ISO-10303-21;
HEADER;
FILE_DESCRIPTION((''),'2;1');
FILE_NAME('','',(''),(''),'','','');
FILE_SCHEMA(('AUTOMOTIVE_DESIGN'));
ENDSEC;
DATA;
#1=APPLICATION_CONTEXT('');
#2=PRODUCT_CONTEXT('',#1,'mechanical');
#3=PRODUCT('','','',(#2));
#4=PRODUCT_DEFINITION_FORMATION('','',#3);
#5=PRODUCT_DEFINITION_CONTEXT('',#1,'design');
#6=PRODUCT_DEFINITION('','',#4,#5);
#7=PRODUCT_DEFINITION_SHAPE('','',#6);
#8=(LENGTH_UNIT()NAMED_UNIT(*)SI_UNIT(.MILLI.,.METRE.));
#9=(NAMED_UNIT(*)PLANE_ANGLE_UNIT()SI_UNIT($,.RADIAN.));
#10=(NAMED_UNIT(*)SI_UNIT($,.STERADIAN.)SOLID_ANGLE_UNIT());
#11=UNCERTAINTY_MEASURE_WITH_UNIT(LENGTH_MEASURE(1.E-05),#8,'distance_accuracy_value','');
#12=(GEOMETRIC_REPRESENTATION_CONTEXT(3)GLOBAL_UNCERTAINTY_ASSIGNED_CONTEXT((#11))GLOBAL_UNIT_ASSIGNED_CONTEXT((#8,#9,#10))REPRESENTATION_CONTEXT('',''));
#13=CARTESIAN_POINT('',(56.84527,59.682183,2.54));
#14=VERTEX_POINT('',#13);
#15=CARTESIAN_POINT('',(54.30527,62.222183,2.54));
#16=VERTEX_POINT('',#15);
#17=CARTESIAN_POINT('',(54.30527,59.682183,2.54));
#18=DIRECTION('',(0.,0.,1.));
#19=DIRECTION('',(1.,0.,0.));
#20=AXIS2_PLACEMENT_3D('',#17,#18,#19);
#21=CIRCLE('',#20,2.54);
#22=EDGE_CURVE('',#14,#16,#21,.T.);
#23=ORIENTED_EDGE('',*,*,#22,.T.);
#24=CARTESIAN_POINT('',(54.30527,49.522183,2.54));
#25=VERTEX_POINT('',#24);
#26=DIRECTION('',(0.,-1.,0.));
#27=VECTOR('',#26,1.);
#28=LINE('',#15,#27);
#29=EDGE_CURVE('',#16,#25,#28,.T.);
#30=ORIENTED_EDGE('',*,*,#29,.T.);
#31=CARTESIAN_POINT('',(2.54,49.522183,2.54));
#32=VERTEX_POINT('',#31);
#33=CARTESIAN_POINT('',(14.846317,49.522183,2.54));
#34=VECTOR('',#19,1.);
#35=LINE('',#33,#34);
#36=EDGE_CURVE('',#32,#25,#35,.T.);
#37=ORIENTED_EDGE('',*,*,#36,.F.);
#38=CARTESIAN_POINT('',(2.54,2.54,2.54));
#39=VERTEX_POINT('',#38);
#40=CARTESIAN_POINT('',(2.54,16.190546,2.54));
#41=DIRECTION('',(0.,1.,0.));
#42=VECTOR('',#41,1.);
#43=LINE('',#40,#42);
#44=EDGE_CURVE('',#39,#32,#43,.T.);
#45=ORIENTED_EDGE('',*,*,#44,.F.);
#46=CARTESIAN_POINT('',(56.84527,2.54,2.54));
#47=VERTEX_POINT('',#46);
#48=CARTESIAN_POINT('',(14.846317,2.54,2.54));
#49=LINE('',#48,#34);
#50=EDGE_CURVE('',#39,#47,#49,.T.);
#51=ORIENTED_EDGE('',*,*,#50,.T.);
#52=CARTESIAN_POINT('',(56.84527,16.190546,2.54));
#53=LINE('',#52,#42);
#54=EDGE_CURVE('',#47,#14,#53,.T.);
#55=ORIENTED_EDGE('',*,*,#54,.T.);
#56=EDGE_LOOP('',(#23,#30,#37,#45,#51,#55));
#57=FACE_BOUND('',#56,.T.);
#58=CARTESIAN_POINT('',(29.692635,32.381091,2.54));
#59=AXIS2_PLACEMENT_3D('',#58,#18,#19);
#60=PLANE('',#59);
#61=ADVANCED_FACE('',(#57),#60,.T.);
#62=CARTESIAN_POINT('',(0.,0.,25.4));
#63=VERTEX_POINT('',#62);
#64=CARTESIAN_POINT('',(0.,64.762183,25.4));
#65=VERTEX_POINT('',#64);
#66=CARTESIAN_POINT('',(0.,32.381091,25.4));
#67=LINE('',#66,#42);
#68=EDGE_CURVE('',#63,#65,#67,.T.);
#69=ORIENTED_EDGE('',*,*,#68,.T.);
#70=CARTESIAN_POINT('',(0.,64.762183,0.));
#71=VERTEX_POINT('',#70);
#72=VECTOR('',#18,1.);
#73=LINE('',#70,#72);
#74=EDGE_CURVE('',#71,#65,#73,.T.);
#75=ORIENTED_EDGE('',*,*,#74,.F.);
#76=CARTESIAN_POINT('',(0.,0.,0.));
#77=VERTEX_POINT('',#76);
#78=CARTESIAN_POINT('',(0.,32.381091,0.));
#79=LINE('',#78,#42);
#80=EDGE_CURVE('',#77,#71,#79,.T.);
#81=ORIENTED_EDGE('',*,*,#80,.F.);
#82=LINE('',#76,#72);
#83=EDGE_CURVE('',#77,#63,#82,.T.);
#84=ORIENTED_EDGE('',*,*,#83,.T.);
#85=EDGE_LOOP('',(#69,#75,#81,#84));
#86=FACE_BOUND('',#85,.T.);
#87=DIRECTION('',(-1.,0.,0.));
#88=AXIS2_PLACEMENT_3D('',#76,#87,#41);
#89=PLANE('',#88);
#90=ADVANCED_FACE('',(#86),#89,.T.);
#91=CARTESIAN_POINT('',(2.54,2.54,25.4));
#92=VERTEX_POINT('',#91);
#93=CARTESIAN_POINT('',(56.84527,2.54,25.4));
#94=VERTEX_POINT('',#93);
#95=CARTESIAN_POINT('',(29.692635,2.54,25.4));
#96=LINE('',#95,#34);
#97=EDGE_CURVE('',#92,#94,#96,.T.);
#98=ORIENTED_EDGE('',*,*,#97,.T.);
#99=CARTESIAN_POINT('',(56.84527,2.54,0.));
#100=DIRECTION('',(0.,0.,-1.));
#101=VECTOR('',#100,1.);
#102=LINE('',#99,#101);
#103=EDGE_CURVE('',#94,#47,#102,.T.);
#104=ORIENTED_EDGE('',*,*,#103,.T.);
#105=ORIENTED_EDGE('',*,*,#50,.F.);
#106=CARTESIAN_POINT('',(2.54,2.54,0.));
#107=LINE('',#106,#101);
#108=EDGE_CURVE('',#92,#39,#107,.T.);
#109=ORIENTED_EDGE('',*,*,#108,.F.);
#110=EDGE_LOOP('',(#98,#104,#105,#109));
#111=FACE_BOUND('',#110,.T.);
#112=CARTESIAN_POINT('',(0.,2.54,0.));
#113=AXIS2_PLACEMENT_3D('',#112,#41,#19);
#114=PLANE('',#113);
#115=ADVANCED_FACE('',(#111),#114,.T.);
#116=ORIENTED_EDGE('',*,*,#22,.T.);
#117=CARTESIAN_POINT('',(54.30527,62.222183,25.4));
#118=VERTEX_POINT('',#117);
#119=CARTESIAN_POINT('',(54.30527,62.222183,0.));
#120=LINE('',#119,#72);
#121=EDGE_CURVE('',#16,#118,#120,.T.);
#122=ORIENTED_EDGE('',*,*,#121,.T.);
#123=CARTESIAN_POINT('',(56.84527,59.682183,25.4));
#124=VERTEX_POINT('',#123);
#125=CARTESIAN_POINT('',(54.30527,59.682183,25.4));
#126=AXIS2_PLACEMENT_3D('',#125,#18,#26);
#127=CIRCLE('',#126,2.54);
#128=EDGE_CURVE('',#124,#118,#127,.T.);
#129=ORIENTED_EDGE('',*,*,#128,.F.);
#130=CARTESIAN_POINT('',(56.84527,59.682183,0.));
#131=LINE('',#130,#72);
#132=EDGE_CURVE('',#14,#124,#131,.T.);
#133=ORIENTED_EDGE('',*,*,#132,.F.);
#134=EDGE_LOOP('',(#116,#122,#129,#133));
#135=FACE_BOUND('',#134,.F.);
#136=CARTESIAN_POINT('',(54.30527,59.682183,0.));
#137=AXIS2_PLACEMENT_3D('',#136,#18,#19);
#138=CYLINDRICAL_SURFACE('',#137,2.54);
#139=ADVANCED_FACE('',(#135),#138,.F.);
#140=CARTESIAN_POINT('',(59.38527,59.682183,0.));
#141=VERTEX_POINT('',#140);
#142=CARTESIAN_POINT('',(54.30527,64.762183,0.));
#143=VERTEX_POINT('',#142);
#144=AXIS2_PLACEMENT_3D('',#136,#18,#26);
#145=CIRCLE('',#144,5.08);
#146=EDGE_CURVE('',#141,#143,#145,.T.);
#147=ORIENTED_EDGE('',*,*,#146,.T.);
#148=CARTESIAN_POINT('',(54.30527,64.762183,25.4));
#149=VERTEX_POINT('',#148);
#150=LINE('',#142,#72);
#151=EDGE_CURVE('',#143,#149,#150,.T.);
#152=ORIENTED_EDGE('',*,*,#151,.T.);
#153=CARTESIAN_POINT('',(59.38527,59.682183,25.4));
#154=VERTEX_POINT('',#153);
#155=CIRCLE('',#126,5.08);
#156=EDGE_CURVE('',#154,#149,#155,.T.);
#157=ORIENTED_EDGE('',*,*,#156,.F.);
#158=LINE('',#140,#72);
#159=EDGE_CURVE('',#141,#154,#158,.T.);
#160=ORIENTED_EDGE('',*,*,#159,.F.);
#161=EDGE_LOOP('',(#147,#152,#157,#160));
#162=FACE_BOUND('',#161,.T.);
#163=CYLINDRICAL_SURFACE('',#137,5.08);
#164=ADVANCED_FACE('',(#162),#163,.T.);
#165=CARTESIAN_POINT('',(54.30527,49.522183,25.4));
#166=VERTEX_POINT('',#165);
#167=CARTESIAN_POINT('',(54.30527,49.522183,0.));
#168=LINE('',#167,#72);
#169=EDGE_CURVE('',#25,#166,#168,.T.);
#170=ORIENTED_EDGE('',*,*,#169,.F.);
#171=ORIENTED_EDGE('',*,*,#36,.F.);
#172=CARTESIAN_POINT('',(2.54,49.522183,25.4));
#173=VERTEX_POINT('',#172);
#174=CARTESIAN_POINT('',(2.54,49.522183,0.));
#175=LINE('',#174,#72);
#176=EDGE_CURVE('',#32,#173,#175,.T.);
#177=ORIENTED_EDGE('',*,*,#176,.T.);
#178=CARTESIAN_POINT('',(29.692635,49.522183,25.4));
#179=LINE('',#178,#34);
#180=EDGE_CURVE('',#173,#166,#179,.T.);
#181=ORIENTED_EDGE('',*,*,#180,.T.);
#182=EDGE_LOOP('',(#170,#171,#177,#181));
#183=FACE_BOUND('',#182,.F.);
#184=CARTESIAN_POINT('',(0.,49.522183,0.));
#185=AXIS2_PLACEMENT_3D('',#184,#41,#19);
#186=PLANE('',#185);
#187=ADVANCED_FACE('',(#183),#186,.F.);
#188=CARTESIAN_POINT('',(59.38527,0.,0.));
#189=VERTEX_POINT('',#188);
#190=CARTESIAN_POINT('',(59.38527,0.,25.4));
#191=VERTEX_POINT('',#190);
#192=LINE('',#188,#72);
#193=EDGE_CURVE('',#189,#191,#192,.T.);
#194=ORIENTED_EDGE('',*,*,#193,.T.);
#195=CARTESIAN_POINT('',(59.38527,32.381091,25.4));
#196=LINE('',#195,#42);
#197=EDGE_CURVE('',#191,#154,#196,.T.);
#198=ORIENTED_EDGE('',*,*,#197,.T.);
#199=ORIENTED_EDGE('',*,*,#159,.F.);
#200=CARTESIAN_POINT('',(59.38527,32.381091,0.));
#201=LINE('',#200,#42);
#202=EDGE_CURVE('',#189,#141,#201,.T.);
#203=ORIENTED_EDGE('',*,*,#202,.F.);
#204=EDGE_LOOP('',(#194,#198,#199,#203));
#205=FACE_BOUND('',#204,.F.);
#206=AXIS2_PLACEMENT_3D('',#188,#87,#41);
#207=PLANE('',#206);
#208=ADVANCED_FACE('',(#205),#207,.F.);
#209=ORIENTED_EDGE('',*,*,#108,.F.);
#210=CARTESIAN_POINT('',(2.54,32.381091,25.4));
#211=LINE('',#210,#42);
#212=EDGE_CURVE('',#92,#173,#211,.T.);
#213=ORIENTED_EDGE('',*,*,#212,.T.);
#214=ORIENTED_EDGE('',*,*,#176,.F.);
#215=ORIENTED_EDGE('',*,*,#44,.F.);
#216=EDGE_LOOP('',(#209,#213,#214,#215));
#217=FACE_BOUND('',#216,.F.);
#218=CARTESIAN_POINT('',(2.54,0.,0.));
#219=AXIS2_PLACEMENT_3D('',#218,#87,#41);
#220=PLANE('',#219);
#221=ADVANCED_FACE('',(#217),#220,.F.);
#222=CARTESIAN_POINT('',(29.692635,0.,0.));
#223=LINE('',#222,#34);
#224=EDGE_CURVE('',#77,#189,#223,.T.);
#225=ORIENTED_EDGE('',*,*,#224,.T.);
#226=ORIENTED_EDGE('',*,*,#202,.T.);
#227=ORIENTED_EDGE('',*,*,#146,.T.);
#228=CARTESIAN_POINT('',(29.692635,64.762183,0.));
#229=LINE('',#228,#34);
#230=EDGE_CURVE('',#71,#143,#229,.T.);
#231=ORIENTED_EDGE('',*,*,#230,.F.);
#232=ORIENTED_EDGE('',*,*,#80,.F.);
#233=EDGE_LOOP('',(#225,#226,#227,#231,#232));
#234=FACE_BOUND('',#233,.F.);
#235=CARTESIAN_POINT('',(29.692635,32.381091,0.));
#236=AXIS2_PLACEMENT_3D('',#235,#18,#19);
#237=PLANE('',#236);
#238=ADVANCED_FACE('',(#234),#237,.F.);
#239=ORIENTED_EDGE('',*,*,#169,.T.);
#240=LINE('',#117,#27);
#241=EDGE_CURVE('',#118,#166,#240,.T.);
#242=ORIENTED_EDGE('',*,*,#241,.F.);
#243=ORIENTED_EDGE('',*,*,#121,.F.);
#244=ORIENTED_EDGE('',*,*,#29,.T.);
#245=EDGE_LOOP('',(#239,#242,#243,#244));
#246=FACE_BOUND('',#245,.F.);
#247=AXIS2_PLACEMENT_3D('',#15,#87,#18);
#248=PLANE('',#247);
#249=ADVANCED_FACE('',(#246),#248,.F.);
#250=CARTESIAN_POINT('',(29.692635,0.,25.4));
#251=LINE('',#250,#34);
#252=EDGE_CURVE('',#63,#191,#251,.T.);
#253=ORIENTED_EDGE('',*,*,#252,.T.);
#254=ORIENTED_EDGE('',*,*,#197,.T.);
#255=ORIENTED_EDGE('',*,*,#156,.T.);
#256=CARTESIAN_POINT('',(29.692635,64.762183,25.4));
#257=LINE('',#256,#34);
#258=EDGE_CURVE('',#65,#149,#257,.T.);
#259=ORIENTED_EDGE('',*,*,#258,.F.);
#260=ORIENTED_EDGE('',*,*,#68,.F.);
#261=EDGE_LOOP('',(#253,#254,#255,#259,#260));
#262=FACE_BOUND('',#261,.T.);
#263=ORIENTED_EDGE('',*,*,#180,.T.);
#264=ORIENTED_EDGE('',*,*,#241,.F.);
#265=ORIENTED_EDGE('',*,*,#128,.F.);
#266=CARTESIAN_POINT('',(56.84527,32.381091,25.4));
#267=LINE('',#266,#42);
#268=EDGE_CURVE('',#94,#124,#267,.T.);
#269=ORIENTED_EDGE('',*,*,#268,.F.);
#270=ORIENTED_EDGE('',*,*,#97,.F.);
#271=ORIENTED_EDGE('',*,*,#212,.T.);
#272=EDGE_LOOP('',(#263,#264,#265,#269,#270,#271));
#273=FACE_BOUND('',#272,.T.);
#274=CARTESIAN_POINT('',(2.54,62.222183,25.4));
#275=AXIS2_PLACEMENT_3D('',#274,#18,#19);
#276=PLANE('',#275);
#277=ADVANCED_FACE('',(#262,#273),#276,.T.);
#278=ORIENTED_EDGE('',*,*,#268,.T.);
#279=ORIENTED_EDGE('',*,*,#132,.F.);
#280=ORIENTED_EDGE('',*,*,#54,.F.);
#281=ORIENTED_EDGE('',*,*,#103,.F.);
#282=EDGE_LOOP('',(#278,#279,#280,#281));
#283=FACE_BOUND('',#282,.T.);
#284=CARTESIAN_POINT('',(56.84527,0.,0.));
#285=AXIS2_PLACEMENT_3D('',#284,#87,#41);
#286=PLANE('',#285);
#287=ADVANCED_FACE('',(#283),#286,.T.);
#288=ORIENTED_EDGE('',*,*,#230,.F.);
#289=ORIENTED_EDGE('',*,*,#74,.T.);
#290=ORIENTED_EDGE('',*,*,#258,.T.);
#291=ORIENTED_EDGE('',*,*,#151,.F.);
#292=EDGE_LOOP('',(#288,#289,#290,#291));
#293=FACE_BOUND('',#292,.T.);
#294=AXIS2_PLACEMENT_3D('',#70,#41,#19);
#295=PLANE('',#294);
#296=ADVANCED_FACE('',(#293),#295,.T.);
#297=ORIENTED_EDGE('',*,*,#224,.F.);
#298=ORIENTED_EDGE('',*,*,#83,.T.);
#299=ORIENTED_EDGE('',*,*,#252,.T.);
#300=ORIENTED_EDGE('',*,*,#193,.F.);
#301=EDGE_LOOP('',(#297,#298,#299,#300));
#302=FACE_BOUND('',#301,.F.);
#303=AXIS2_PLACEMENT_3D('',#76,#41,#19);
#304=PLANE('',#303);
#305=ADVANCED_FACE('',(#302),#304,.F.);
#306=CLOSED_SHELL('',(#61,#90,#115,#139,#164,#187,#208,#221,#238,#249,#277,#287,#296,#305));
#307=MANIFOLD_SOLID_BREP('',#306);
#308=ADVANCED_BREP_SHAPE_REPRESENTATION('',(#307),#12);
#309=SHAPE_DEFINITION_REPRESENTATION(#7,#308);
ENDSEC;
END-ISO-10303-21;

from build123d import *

# Parameters (mm, degrees)
F0_W     = 59.3852698803
F0_H     = 64.7621825337
F1_DEPTH = 25.4
F2_R     = 5.08
F4_DEPTH = 25.4
F5_T     = -2.54
F6_DEPTH = 12.7


with BuildPart() as f1:
    # F0 (on Top) → F1 (new body)
    with BuildSketch(Plane.XY):
        with Locations((29.6926349401, 32.3810912669)):
            Rectangle(F0_W, F0_H)
    extrude(amount=F1_DEPTH)

    # F2
    f2_edges = [f1.edges().sort_by_distance(p)[0] for p in [
        (59.38527, 64.762183, 12.7),
    ]]
    fillet(f2_edges, radius=F2_R)

    # F3 (on face) → F4 (join)
    with BuildSketch(Plane.XY.offset(25.4)):
        Polygon((26.8538445234, 51.118131727), (28.7176296115, 36.2143442035), (49.2836721241, 36.2143442035), (48.5529899597, 51.118131727), align=None)
    extrude(amount=-F4_DEPTH)

    # F5
    f5_openings = [f1.faces().sort_by_distance(p)[0] for p in [
        (29.651452, 32.336032, 25.4),
    ]]
    offset(amount=F5_T, openings=f5_openings)

    # F6 (add): a face of the model
    f6_faces = [f1.faces().sort_by_distance(p)[0] for p in [
        (28.4226349401, 62.2221825337, 13.97),
    ]]
    extrude(f6_faces, amount=F6_DEPTH)


solid = f1.part
